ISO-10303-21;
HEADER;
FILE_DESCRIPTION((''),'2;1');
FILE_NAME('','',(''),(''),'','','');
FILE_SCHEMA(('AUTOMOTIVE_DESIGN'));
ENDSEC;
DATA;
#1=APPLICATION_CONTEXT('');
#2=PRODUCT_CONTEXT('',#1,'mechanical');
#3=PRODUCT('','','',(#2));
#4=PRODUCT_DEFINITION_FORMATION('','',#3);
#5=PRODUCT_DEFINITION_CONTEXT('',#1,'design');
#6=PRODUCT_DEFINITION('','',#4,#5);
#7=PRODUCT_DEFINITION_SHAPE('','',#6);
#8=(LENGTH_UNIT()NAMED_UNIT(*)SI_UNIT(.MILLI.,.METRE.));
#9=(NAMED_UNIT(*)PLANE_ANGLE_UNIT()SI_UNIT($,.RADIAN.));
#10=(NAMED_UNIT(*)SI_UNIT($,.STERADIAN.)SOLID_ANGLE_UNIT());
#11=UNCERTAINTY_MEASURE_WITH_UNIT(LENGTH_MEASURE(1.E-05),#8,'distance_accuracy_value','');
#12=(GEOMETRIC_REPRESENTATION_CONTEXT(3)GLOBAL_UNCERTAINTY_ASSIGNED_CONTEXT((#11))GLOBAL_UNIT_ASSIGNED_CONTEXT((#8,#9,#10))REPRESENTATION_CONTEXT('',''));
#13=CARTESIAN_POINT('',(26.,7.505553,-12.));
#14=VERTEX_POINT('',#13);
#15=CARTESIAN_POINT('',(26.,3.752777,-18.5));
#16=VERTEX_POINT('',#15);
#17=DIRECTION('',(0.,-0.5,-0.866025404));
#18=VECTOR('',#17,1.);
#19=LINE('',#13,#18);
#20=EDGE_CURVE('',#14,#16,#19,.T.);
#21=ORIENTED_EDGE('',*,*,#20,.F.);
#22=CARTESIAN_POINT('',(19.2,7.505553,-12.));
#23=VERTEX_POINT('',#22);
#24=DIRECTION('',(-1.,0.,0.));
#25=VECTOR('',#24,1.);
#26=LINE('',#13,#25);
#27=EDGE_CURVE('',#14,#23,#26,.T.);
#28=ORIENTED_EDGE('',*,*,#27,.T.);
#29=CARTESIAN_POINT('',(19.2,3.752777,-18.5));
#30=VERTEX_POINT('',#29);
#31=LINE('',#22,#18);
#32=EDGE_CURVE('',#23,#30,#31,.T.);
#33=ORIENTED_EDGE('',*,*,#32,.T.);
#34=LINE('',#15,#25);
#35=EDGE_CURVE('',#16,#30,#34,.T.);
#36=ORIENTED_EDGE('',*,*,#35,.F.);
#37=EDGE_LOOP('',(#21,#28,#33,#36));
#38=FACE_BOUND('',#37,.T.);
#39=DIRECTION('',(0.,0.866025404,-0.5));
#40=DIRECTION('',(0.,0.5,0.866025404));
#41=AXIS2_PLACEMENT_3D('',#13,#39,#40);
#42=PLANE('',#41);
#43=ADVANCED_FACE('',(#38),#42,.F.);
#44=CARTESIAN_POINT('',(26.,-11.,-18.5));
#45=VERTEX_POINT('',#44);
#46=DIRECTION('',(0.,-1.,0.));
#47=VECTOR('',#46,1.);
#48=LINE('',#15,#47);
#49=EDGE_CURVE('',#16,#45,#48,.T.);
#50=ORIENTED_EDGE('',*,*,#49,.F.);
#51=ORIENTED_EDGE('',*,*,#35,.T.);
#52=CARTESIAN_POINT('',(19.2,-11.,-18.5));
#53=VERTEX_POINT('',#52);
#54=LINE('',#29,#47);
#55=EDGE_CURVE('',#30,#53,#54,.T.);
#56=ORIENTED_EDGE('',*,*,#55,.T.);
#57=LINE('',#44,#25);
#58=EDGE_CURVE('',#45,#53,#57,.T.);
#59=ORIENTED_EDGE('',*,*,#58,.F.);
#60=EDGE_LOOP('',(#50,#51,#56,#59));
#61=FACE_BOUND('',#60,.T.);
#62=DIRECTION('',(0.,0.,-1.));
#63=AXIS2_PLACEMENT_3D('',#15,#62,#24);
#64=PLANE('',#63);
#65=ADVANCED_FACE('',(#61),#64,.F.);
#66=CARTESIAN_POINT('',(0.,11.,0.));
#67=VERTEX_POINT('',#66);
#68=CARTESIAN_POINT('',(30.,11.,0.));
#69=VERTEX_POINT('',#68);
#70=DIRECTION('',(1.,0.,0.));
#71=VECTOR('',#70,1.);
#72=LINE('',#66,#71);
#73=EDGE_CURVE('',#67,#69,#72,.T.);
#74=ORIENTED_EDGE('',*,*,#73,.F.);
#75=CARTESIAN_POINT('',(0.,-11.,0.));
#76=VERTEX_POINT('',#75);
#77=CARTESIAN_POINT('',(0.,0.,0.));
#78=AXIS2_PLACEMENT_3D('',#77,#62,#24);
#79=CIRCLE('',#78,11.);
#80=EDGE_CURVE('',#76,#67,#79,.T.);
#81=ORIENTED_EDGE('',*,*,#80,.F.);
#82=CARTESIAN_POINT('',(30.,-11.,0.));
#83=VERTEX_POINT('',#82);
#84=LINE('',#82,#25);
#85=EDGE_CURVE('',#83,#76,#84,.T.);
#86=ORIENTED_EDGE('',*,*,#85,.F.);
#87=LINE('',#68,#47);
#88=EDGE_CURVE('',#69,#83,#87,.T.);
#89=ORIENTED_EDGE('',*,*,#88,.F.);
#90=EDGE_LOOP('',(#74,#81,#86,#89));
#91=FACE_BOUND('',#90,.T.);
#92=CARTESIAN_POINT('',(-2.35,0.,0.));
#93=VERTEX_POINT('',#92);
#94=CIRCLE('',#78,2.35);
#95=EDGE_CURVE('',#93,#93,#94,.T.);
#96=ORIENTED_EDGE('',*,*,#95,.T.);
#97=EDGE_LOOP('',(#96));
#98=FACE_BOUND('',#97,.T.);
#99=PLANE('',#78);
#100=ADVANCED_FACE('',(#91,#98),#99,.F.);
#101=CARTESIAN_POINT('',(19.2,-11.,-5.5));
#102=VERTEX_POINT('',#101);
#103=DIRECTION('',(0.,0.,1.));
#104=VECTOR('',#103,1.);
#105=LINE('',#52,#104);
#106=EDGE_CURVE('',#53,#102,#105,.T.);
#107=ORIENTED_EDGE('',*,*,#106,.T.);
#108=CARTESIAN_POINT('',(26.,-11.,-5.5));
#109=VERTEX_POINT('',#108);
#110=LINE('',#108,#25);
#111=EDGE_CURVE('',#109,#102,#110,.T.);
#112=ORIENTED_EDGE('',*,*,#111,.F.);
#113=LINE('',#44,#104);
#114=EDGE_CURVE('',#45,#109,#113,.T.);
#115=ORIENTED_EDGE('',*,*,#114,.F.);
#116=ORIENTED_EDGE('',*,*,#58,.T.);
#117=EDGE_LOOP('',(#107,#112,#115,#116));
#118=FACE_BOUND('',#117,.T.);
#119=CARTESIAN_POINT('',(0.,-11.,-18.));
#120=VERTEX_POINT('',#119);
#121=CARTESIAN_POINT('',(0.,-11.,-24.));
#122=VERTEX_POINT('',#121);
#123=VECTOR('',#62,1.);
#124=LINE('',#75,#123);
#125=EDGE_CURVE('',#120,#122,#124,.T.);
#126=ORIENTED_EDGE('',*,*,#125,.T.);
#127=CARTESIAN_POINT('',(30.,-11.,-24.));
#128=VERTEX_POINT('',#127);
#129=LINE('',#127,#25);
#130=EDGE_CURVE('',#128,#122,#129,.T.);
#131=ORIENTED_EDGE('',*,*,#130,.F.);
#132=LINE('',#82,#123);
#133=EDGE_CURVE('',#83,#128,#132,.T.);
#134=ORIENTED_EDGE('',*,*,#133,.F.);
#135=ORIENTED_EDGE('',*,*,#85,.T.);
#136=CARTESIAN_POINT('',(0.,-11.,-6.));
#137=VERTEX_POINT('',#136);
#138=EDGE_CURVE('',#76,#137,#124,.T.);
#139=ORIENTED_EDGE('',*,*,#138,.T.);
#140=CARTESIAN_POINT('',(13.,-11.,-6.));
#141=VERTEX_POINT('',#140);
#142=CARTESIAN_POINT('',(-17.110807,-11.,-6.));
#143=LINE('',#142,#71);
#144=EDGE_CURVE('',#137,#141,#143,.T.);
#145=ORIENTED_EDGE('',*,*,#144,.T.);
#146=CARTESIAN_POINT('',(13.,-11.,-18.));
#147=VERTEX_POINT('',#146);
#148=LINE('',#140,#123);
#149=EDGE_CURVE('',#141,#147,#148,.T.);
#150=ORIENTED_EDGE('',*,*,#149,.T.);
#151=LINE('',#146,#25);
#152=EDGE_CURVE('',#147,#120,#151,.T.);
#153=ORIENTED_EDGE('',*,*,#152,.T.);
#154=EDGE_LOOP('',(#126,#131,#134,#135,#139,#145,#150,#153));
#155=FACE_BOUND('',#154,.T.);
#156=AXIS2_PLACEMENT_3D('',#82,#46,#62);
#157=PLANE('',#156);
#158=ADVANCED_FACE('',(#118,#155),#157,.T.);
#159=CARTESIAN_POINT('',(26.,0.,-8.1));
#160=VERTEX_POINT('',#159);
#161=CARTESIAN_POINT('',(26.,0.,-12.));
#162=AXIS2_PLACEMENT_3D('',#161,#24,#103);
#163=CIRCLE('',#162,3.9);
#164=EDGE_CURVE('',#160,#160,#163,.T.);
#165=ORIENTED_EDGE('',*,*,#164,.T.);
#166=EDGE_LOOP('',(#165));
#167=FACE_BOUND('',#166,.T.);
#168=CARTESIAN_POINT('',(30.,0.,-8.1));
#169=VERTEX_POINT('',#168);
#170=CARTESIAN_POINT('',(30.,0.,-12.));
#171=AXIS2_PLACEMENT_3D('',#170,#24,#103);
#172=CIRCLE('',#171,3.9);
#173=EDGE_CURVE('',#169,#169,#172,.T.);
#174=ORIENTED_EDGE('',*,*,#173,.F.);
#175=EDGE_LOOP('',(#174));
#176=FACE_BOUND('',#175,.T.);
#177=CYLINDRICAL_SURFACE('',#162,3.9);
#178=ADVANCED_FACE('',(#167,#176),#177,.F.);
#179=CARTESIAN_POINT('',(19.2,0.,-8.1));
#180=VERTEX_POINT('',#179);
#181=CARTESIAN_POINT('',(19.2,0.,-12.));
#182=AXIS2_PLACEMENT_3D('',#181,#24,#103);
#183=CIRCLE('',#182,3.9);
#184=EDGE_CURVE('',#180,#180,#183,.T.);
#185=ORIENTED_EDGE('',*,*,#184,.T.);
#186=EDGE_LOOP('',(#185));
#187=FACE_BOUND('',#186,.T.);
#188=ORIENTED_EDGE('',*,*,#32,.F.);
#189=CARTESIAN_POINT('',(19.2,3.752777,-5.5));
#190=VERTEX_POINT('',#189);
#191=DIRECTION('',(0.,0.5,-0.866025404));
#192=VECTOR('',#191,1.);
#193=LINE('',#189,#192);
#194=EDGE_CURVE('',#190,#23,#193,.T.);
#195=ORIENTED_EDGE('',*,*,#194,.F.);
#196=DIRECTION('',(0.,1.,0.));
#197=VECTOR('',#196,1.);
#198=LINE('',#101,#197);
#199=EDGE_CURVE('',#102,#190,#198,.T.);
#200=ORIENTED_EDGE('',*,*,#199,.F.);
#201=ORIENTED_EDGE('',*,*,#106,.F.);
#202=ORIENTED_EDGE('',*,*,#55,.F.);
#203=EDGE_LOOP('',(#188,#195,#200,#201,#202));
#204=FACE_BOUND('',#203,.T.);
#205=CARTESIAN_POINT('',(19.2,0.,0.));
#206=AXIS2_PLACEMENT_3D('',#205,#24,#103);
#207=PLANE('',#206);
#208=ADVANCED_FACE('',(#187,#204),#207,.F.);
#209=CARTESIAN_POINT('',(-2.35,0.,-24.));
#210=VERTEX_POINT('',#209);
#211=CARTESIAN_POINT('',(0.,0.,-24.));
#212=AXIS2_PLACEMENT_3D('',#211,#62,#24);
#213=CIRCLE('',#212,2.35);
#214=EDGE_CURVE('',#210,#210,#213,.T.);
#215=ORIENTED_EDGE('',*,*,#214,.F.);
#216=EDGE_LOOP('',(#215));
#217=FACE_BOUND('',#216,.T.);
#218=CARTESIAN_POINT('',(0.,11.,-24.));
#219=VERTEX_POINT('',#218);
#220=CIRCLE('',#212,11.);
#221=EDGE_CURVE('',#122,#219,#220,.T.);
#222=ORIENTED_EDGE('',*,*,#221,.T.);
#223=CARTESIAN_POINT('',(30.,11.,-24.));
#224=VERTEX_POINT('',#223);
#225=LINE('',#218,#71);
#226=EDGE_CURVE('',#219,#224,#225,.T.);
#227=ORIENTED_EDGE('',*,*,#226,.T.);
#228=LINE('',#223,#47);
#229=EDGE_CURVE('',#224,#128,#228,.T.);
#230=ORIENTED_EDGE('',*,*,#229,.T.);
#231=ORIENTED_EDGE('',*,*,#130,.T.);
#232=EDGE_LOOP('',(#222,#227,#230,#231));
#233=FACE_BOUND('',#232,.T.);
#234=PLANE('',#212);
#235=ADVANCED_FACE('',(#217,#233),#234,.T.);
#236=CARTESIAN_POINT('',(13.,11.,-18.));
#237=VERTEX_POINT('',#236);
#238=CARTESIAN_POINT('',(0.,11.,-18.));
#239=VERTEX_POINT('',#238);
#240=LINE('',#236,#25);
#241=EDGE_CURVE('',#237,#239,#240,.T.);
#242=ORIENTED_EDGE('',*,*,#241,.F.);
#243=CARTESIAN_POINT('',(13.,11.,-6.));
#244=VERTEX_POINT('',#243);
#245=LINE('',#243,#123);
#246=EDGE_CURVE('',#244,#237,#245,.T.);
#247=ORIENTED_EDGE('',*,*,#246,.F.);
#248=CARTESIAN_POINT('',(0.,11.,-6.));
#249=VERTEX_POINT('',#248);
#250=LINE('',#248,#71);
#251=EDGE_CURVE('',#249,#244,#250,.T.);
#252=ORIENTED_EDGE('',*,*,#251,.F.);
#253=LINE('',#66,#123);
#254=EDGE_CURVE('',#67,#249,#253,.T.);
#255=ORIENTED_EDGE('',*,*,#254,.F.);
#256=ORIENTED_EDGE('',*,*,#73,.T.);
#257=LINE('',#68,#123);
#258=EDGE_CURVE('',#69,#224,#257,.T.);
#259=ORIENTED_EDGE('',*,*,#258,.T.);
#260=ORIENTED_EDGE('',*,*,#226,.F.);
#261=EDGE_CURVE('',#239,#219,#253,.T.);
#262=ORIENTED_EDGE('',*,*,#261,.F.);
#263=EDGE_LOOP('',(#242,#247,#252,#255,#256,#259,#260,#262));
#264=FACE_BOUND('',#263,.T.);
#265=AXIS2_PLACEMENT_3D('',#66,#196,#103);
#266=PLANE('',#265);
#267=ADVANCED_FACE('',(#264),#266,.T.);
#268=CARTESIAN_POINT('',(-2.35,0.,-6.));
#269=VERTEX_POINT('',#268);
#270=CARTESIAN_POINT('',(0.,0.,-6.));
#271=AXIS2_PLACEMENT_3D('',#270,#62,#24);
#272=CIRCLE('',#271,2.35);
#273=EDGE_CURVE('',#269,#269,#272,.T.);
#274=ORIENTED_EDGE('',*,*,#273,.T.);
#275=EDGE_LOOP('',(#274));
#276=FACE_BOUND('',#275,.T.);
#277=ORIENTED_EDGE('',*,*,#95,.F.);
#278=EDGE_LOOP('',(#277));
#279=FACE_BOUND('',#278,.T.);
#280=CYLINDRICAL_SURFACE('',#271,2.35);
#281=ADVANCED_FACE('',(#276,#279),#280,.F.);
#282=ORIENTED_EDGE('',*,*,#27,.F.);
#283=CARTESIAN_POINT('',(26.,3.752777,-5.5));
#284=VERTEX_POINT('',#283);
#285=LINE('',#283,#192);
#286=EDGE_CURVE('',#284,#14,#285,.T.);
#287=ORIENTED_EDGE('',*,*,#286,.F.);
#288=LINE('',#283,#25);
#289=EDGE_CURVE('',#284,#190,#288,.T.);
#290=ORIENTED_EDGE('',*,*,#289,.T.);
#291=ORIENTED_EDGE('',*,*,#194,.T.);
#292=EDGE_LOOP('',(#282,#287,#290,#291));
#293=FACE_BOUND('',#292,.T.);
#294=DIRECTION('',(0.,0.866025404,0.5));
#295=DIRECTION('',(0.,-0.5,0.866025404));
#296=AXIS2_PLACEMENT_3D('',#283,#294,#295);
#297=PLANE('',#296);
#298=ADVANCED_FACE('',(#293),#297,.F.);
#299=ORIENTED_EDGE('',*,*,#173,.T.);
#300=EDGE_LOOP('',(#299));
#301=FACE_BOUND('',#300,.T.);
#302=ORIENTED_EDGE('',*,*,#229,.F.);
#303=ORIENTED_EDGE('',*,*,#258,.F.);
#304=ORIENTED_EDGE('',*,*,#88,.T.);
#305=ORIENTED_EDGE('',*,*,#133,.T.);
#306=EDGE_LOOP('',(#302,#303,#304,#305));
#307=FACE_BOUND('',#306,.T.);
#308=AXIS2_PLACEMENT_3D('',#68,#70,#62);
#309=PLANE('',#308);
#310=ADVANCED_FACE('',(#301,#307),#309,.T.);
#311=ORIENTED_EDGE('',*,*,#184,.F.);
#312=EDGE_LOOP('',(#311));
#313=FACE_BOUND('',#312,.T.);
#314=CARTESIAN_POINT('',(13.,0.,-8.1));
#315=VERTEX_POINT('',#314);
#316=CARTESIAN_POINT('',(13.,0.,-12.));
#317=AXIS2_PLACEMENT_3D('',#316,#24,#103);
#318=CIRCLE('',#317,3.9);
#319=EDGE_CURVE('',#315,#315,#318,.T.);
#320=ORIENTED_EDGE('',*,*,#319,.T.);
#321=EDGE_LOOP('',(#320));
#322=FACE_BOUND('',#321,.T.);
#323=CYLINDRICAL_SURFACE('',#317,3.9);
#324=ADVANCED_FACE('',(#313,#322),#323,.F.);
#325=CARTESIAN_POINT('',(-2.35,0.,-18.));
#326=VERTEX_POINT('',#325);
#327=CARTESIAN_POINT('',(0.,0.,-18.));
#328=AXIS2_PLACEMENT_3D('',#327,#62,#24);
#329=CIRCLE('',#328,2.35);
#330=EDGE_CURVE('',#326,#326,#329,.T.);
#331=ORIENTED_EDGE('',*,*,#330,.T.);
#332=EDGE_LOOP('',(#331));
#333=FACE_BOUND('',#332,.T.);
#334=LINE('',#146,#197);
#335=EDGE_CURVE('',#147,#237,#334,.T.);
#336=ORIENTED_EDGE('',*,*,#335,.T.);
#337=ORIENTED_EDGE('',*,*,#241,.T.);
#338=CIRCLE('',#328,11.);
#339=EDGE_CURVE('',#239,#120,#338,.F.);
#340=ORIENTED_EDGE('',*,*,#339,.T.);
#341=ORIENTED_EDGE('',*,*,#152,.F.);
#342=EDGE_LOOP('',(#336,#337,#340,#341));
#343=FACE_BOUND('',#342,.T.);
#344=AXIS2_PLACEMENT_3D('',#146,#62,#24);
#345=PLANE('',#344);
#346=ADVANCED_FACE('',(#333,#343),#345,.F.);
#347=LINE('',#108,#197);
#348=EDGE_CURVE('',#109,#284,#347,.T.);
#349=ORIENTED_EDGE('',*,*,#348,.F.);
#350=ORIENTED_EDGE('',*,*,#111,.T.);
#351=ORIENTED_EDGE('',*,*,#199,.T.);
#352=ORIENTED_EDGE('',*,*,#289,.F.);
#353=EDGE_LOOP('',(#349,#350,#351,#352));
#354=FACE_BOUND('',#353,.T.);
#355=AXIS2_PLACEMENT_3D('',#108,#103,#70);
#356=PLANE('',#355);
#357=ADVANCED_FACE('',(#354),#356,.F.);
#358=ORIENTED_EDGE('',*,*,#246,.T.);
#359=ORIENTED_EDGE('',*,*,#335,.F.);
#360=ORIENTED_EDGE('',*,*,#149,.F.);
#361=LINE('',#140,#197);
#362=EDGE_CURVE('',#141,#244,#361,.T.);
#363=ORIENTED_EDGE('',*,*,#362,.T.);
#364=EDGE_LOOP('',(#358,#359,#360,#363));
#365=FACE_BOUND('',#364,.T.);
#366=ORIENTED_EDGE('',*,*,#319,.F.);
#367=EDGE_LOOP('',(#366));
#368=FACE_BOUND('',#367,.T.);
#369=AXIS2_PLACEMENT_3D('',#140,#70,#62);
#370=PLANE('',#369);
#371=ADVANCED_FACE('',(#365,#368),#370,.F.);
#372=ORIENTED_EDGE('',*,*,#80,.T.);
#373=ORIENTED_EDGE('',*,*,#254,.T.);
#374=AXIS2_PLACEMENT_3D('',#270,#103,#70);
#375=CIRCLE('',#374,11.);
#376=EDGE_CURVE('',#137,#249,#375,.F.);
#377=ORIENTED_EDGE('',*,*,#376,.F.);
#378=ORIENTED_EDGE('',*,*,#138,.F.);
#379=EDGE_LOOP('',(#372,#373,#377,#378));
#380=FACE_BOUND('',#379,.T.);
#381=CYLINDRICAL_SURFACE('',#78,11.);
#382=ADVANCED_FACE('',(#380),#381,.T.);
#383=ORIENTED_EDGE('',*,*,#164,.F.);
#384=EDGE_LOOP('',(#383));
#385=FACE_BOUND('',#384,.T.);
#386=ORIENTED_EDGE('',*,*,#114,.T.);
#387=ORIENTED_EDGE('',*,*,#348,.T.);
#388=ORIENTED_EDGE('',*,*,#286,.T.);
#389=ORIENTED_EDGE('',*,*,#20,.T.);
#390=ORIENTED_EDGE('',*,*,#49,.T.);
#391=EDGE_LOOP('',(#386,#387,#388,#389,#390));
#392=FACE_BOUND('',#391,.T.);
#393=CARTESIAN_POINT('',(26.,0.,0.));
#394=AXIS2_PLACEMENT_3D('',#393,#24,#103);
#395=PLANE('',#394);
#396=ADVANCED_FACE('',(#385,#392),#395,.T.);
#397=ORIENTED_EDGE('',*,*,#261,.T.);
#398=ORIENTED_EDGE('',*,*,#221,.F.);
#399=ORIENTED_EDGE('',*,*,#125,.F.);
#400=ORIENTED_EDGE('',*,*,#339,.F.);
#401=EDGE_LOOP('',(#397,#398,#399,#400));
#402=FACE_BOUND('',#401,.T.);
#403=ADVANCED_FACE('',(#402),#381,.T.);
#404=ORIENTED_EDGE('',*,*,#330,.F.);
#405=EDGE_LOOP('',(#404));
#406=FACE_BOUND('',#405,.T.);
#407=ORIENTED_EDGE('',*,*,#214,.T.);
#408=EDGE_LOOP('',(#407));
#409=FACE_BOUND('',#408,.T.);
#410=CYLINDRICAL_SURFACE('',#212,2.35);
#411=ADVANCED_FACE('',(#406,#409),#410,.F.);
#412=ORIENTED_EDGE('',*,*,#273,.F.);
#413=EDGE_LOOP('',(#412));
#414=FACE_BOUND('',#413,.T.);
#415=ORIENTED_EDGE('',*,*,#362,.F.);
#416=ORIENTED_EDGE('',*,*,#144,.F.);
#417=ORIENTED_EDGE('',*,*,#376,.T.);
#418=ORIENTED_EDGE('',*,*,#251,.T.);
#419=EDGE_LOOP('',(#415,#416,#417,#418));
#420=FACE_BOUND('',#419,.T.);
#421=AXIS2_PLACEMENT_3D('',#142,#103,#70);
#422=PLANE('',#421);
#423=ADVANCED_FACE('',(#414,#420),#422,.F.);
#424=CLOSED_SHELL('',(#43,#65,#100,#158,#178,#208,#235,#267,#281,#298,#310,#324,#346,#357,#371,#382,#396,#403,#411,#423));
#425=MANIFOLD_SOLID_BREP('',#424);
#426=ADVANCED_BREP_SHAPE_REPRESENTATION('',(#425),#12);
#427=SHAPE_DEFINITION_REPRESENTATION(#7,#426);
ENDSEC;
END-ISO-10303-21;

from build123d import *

# Parameters (mm, degrees)
BOSS_EXTRUDE1_DEPTH            = 24
SKETCH2_W                      = 30.110806601
SKETCH2_H                      = 12
CUT_EXTRUDE1_DEPTH             = 45.271887242
CUT_EXTRUDE2_DEPTH             = 6.8
F_7_8_7_8_DIAMETER_HOLE1_D     = 7.8
F_7_8_7_8_DIAMETER_HOLE1_DEPTH = 6.2
F_7_8_7_8_DIAMETER_HOLE2_D     = 7.8
F_4_7_4_7_DIAMETER_HOLE1_D     = 4.7
F_4_7_4_7_DIAMETER_HOLE1_DEPTH = 6
F_4_7_4_7_DIAMETER_HOLE2_D     = 4.7


with BuildPart() as part:
    # Sketch1 → Boss-Extrude1 (new body)
    with BuildSketch(Plane(origin=(0, 0, -24), x_dir=(-1, 0, 0), z_dir=(0, 0, -1))):
        with BuildLine():
            Line((0, 11), (-30, 11))
            Line((-30, 11), (-30, -11))
            Line((-30, -11), (0, -11))
            ThreePointArc((0, -11), (11, 0), (0, 11))
        make_face()
    extrude(amount=-BOSS_EXTRUDE1_DEPTH)

    # Sketch2 → Cut-Extrude1 (cut, through all)
    with BuildSketch(Plane(origin=(0, 11, 0), x_dir=(-1, 0, 0), z_dir=(0, 1, 0))):
        with Locations((2.055403301, -12)):
            Rectangle(SKETCH2_W, SKETCH2_H)
    extrude(amount=-CUT_EXTRUDE1_DEPTH, mode=Mode.SUBTRACT)

    # Sketch3 → Cut-Extrude2 (cut)
    with BuildSketch(Plane(origin=(19.2, 0, 0), x_dir=(0, -1, 0), z_dir=(-1, 0, 0))):
        Polygon((11, -18.5), (11, -5.5), (-3.75277675, -5.5), (-7.505553499, -12), (-3.75277675, -18.5), align=None)
    extrude(amount=-CUT_EXTRUDE2_DEPTH, mode=Mode.SUBTRACT)

    # Ø7.8 (7.8) Diameter Hole1
    with Locations(Plane.ZY.offset(-13)):
        with Locations((-12, 0)):
            Hole(F_7_8_7_8_DIAMETER_HOLE1_D / 2, depth=F_7_8_7_8_DIAMETER_HOLE1_DEPTH)

    # Ø7.8 (7.8) Diameter Hole2 (through all)
    with Locations(Plane.ZY.offset(-26)):
        with Locations((-12, 0)):
            Hole(F_7_8_7_8_DIAMETER_HOLE2_D / 2)

    # Ø4.7 (4.7) Diameter Hole1
    with Locations(Plane(origin=(0, 0, -24), x_dir=(-1, 0, 0), z_dir=(0, 0, -1))):
        with Locations((0, 0)):
            Hole(F_4_7_4_7_DIAMETER_HOLE1_D / 2, depth=F_4_7_4_7_DIAMETER_HOLE1_DEPTH)

    # Ø4.7 (4.7) Diameter Hole2 (through all)
    with Locations(Plane(origin=(0, 0, -6), x_dir=(-1, 0, 0), z_dir=(0, 0, -1))):
        with Locations((0, 0)):
            Hole(F_4_7_4_7_DIAMETER_HOLE2_D / 2)


solid = part.part
